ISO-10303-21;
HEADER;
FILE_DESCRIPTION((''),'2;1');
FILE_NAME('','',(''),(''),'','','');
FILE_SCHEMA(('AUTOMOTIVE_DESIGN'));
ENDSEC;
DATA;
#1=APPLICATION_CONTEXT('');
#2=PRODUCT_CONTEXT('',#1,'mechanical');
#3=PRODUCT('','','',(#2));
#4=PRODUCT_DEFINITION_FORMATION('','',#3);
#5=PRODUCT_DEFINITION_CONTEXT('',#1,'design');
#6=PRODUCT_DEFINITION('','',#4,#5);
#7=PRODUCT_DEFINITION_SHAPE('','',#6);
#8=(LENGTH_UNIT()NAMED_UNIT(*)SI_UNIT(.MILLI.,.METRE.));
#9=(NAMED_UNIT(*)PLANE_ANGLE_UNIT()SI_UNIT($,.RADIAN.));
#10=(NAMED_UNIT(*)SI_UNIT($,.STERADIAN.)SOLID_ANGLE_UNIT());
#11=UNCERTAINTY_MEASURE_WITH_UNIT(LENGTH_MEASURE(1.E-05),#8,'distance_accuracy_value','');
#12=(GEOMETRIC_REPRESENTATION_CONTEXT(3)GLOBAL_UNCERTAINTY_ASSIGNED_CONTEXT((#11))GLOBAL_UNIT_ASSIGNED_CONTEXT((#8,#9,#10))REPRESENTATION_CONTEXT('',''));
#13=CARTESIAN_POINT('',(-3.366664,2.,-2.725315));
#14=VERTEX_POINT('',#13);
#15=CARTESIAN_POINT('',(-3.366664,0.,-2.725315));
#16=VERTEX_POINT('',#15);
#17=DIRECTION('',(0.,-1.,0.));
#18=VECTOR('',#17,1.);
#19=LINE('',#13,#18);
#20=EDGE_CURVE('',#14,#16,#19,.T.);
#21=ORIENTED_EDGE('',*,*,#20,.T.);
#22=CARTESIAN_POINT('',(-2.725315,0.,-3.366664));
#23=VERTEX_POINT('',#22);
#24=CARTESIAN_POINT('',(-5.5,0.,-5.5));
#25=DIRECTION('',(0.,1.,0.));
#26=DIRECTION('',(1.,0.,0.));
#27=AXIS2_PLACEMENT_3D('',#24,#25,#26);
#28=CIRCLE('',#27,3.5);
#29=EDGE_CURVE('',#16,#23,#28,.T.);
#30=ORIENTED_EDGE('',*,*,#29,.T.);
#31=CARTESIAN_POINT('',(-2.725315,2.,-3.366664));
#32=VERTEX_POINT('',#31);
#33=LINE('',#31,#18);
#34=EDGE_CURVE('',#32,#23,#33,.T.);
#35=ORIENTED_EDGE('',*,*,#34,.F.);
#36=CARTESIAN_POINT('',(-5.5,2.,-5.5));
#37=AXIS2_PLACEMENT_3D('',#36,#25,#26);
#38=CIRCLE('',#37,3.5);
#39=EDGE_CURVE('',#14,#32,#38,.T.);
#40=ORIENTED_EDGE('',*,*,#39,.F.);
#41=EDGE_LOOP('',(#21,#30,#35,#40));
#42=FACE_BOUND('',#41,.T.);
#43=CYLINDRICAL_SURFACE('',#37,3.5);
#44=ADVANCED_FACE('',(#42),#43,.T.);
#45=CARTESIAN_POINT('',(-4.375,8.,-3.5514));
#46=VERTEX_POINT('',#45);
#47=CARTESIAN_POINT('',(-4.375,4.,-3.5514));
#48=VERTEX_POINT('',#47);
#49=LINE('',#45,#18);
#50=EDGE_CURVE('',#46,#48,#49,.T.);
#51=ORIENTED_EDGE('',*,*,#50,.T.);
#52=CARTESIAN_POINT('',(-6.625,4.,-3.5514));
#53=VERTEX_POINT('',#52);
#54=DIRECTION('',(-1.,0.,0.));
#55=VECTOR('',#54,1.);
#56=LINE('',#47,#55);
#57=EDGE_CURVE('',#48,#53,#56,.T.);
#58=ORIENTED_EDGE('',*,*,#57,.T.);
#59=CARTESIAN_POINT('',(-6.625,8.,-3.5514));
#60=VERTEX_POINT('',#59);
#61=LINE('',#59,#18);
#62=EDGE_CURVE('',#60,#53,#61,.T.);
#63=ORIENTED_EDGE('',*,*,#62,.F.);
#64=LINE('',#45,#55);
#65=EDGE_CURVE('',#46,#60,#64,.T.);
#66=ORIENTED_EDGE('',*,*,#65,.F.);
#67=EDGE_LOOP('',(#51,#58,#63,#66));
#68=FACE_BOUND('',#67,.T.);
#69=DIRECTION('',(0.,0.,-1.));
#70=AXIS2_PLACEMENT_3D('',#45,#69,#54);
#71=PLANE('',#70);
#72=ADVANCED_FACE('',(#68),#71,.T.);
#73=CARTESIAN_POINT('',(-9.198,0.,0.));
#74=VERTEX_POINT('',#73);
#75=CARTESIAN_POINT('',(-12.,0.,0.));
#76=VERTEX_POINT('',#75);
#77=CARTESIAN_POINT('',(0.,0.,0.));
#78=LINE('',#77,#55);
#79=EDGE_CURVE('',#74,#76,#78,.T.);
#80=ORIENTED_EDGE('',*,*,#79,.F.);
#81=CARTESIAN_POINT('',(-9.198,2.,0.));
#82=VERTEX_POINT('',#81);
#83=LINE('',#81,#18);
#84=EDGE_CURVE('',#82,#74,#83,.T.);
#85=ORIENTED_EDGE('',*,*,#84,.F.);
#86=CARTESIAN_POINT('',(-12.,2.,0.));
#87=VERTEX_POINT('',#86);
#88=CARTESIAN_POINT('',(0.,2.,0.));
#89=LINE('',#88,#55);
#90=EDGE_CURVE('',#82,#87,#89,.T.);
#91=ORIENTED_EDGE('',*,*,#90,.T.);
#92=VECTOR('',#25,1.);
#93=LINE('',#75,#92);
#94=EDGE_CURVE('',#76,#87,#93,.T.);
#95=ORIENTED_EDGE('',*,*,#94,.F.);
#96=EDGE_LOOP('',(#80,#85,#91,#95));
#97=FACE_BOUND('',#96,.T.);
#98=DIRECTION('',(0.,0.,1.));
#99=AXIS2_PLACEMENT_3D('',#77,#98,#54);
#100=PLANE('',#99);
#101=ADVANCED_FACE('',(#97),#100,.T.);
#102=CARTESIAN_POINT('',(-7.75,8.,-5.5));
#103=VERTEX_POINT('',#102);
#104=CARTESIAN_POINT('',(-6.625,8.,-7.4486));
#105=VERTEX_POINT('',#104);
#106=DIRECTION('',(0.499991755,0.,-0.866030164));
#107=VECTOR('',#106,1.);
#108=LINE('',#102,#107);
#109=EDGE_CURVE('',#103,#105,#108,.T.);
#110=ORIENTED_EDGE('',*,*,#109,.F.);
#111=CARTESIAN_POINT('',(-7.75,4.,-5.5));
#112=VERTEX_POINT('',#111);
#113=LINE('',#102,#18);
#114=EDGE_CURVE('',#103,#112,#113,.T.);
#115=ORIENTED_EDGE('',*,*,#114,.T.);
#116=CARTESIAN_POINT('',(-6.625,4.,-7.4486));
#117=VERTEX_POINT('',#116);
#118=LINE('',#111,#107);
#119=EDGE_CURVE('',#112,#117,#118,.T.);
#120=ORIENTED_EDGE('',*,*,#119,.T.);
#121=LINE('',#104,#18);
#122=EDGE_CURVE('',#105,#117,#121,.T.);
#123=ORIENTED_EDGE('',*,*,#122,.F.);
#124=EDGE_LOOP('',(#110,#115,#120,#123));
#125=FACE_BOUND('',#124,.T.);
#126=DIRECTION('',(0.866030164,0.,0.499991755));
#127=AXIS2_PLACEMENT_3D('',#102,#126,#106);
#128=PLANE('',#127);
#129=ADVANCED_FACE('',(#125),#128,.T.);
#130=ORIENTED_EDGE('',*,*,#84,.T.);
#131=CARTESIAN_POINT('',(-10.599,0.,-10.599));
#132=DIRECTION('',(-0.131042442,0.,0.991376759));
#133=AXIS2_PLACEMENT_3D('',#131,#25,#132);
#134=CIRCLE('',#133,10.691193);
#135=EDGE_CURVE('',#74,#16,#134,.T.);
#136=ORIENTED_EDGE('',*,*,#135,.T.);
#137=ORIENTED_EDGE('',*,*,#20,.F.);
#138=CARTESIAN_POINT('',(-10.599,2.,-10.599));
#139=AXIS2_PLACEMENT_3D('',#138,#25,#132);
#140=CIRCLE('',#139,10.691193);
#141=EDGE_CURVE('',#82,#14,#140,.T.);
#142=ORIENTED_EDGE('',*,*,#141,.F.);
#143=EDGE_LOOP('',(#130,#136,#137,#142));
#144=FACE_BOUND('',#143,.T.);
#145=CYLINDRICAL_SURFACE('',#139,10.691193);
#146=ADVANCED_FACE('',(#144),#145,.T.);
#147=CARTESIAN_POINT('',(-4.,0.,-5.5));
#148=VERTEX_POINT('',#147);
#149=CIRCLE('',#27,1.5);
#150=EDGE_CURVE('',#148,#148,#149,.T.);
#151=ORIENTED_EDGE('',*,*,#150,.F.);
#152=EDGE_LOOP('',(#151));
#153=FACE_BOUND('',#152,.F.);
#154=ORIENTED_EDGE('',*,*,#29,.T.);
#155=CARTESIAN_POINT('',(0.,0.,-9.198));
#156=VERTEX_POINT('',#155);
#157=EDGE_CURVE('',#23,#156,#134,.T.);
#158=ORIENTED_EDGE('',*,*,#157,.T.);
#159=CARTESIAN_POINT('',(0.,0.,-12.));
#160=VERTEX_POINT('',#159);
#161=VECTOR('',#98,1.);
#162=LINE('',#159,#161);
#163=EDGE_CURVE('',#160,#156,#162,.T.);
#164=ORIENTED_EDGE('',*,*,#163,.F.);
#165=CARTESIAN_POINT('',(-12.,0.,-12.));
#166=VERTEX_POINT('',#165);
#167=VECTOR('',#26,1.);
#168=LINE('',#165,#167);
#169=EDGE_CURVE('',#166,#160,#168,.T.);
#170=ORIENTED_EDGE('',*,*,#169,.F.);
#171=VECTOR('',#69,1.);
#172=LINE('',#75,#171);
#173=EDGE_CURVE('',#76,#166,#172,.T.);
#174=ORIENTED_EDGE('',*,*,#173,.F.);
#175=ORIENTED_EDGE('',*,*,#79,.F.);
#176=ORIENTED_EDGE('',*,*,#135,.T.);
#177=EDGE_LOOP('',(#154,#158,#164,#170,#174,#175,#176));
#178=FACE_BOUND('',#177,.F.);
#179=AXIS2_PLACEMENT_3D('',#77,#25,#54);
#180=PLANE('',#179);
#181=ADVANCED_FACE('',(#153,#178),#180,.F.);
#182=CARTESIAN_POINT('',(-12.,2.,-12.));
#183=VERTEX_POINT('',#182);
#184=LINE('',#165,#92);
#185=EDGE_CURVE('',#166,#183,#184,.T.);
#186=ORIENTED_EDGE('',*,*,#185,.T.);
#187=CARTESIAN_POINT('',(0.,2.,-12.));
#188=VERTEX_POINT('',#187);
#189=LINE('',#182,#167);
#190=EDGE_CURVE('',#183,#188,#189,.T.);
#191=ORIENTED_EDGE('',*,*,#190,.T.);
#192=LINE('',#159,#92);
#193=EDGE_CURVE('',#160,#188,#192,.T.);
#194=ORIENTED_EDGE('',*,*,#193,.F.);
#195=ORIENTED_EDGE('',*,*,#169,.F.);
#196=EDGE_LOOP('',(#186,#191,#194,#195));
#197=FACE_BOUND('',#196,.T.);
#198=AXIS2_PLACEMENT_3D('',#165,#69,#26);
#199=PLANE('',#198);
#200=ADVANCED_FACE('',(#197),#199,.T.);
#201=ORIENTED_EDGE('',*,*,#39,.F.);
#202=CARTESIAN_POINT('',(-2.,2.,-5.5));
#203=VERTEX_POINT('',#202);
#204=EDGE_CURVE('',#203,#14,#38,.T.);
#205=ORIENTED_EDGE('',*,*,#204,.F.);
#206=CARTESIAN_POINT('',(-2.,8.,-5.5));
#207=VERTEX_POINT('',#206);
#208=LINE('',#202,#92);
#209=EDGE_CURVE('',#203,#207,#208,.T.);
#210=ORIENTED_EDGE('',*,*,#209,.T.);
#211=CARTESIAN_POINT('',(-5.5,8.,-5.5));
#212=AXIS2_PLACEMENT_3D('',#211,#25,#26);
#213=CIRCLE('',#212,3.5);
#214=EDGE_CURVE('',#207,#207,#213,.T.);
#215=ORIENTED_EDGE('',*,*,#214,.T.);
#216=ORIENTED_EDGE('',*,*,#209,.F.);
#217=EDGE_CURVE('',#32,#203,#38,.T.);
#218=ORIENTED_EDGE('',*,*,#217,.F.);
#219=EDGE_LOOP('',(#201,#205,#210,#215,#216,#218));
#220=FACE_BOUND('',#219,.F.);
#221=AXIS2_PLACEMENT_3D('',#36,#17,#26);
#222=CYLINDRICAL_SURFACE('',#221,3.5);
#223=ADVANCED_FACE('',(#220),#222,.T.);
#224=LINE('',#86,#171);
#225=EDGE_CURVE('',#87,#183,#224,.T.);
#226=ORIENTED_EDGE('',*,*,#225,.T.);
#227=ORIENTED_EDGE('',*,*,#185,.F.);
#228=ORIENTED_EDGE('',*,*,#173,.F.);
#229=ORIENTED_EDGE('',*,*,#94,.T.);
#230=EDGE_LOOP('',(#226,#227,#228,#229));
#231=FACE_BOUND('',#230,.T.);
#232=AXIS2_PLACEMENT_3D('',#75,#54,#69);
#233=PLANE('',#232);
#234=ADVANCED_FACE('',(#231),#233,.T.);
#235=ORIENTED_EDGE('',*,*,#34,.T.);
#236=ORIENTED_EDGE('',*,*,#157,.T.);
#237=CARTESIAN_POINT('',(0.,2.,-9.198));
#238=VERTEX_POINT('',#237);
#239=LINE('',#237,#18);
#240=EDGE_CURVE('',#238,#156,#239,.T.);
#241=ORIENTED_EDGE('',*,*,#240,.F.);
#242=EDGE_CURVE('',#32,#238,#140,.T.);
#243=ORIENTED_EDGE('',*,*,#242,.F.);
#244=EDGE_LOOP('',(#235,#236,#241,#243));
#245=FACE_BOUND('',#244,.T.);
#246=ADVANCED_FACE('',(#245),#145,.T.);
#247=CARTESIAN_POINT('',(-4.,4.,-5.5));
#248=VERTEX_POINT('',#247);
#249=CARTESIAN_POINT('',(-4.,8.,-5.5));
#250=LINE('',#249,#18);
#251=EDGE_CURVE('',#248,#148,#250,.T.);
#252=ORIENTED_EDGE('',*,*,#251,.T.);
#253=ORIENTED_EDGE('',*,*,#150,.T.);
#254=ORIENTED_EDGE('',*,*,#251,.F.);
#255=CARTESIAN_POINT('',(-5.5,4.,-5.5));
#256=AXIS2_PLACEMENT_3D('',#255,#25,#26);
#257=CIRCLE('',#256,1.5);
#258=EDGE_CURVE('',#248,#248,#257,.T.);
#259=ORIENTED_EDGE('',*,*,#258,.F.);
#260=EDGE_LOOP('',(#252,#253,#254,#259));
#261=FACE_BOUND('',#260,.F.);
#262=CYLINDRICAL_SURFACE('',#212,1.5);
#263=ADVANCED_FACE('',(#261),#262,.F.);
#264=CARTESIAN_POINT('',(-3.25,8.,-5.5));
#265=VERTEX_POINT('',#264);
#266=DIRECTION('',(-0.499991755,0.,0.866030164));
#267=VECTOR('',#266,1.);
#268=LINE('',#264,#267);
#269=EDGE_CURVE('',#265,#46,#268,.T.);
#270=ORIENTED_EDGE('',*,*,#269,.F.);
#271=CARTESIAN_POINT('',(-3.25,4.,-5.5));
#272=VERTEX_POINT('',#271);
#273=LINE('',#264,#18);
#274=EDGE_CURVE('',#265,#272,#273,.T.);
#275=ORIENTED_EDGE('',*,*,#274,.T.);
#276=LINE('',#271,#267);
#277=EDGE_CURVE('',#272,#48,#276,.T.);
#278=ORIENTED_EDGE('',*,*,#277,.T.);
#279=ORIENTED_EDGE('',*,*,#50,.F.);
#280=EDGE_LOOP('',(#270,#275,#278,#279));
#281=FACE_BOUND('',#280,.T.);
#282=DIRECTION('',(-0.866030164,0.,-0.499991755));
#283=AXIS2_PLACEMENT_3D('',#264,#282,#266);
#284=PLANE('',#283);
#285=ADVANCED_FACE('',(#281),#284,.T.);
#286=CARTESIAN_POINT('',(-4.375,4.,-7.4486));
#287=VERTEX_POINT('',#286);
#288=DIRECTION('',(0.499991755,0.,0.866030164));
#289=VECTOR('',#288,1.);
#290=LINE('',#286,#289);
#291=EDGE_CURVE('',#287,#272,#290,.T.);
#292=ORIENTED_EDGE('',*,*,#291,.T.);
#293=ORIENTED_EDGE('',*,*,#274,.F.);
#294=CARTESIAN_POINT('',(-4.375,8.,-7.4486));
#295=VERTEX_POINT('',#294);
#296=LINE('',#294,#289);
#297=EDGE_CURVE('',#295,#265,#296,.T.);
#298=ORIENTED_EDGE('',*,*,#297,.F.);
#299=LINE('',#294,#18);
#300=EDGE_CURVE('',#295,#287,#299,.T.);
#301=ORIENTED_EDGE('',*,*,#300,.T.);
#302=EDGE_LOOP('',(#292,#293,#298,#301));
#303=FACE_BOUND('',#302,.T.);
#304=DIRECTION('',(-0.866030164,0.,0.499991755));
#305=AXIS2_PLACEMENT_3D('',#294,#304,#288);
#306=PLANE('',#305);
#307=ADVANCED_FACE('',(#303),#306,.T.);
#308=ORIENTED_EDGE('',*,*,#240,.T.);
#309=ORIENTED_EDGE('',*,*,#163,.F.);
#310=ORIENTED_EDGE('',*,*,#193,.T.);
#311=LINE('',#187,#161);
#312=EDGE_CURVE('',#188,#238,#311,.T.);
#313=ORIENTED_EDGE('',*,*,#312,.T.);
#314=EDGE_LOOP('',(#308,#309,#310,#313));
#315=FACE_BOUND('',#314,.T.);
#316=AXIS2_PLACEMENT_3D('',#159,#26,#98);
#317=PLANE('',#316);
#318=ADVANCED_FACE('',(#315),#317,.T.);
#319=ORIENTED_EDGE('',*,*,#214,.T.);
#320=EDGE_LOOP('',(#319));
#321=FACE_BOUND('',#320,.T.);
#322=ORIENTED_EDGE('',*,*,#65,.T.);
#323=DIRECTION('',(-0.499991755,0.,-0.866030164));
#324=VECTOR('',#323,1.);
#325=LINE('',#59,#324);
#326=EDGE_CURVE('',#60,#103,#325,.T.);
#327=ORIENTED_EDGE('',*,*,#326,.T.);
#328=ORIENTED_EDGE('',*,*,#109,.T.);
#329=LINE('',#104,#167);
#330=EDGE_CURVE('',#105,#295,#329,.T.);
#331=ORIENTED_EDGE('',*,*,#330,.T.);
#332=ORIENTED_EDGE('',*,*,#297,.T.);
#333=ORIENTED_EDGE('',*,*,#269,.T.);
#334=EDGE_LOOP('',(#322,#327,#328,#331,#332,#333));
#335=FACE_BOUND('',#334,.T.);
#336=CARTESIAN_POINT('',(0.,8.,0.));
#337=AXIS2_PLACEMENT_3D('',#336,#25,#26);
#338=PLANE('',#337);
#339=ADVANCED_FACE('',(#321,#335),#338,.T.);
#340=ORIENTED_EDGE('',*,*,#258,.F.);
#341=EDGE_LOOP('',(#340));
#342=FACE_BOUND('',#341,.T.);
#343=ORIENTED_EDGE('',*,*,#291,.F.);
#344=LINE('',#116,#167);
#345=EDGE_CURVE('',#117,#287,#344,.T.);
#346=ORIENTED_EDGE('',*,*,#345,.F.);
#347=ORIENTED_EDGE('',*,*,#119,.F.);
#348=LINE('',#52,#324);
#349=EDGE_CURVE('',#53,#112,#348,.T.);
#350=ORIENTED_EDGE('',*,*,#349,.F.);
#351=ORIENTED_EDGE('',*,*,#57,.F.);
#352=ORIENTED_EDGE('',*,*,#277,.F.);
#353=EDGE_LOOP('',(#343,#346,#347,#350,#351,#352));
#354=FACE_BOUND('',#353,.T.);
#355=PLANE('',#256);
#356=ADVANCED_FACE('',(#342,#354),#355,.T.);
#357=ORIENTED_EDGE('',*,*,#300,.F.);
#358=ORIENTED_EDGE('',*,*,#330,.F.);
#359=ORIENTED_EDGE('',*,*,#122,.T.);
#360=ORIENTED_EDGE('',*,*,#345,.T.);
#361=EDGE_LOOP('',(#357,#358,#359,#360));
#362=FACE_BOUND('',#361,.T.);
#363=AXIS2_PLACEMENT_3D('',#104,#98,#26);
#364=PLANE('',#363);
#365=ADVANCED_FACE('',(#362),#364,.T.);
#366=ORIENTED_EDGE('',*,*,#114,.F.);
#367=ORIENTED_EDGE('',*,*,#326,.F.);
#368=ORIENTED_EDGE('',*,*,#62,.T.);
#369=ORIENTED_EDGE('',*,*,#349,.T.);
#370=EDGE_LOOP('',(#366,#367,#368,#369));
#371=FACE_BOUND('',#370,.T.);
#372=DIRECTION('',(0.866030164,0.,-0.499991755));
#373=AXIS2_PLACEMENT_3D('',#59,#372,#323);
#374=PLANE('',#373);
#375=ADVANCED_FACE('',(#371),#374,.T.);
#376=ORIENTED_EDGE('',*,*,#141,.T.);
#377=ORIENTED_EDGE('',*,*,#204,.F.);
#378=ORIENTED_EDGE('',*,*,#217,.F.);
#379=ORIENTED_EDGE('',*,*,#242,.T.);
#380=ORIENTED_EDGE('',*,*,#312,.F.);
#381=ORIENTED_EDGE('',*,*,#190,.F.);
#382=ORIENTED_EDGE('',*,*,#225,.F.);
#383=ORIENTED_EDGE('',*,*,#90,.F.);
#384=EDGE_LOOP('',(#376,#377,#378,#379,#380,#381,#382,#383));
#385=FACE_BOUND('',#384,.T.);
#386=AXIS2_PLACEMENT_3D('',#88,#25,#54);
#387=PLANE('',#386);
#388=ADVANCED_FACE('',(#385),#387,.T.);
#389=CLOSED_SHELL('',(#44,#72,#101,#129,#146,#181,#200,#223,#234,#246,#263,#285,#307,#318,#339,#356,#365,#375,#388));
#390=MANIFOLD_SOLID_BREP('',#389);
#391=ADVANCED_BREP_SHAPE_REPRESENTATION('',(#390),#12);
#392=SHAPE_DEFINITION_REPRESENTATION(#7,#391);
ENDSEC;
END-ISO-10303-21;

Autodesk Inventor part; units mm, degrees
ref_plane "YZ Plane" through (0, 0, 0) normal (1, 0, 0) x (0, 1, 0)
ref_plane "XZ Plane" through (0, 0, 0) normal (0, 1, 0) x (-1, 0, 0)
ref_plane "XY Plane" through (0, 0, 0) normal (0, 0, 1) x (1, 0, 0)
sketch "Эскиз1" plane through (0, 0, 0) normal (0, 1, 0) x (-1, 0, 0)
  line L0 (0, 0) -> (12, 0)
  line L1 (12, 0) -> (12, -12)
  line L2 (12, -12) -> (0, -12)
  line L3 (0, -12) -> (0, 0)
  dimension "d0" = 12
  dimension "d1" = 12
extrude "Выдавливание1" add sketch "Эскиз1" along normal blind 2
sketch "Эскиз2" plane through (0, 2, 0) normal (0, 1, 0) x (1, 0, 0)
  line L0 (0, 12) -> (-12, 12) projected
  line L1 (0, 0) -> (0, 12) projected
  line L2 (-12, 12) -> (0, 12)
  line L3 (0, 12) -> (0, 0)
  line L4 (0, 0) -> (-12, 0)
  line L5 (-12, 0) -> (-12, 12)
  circle A0 centre (-5.5, 5.5) radius 5.5
  circle A1 centre (-5.5, 5.5) radius 3.5
  line L6 (-12, 12) -> (-12, 0) projected
  line L7 (-12, 11) -> (0, 11)
  line L8 (-11, 12) -> (-11, 0)
  line L9 (-12, 0) -> (0, 0) projected
  dimension "d5" = 7
  dimension "d19" = 1
  dimension "d20" = 1
  dimension "d21" = 11
extrude "Выдавливание2" add sketch "Эскиз2" along normal blind 6 contours A1
sketch "Эскиз3" plane through (-5.5, 8, -5.5) normal (0, 1, 0) x (1, 0, 0)
  circle A0 centre (0, 0) radius 3.5 projected
  circle A1 centre (0, 0) radius 1.5
  point P0 (5.5, -5.5)
  dimension "d8" = 3
extrude "Выдавливание3" cut sketch "Эскиз3" against normal blind 8 contours A1
sketch "Эскиз5" plane through (-5.5, 8, -5.5) normal (0, 1, 0) x (1, 0, 0)
  circle A0 centre (0, 0) radius 1.5 projected
  circle A1 centre (0, 0) radius 2.25
  line L0 (2.25, 0) -> (1.125, -1.9486)
  line L1 (1.125, -1.9486) -> (-1.125, -1.9486)
  line L2 (-1.125, -1.9486) -> (-2.25, 0)
  line L3 (-2.25, 0) -> (-1.125, 1.9486)
  line L4 (-1.125, 1.9486) -> (1.125, 1.9486)
  line L5 (1.125, 1.9486) -> (2.25, 0)
  point P0 (5.5, -5.5)
  dimension "d14" = 4.5
extrude "Выдавливание5" cut sketch "Эскиз5" against normal blind 4 contours L0 L1 L2 L3 L4 L5
sketch "Эскиз6" plane through (0, 2, 0) normal (0, 1, 0) x (1, 0, 0)
  line L0 (-12, 0) -> (0, 0) projected
  line L1 (0, 0) -> (0, 12) projected
  line L2 (0, 12) -> (0, 0)
  line L3 (0, 0) -> (-12, 0)
  circle A0 centre (-5.5, 5.5) radius 3.5 projected
  arc A1 (-12, 0) -> (0, 12) centre (-10.599, 10.599) ccw
  point P0 (0, 9.1981)
  point P1 (-2.7251, 3.3669)
  point P2 (-3.3669, 2.7251)
  point P3 (-9.1981, 0)
extrude "Выдавливание6" cut sketch "Эскиз6" against normal blind 4 contours A1 A0 L1 L0
properties part number "holder"
